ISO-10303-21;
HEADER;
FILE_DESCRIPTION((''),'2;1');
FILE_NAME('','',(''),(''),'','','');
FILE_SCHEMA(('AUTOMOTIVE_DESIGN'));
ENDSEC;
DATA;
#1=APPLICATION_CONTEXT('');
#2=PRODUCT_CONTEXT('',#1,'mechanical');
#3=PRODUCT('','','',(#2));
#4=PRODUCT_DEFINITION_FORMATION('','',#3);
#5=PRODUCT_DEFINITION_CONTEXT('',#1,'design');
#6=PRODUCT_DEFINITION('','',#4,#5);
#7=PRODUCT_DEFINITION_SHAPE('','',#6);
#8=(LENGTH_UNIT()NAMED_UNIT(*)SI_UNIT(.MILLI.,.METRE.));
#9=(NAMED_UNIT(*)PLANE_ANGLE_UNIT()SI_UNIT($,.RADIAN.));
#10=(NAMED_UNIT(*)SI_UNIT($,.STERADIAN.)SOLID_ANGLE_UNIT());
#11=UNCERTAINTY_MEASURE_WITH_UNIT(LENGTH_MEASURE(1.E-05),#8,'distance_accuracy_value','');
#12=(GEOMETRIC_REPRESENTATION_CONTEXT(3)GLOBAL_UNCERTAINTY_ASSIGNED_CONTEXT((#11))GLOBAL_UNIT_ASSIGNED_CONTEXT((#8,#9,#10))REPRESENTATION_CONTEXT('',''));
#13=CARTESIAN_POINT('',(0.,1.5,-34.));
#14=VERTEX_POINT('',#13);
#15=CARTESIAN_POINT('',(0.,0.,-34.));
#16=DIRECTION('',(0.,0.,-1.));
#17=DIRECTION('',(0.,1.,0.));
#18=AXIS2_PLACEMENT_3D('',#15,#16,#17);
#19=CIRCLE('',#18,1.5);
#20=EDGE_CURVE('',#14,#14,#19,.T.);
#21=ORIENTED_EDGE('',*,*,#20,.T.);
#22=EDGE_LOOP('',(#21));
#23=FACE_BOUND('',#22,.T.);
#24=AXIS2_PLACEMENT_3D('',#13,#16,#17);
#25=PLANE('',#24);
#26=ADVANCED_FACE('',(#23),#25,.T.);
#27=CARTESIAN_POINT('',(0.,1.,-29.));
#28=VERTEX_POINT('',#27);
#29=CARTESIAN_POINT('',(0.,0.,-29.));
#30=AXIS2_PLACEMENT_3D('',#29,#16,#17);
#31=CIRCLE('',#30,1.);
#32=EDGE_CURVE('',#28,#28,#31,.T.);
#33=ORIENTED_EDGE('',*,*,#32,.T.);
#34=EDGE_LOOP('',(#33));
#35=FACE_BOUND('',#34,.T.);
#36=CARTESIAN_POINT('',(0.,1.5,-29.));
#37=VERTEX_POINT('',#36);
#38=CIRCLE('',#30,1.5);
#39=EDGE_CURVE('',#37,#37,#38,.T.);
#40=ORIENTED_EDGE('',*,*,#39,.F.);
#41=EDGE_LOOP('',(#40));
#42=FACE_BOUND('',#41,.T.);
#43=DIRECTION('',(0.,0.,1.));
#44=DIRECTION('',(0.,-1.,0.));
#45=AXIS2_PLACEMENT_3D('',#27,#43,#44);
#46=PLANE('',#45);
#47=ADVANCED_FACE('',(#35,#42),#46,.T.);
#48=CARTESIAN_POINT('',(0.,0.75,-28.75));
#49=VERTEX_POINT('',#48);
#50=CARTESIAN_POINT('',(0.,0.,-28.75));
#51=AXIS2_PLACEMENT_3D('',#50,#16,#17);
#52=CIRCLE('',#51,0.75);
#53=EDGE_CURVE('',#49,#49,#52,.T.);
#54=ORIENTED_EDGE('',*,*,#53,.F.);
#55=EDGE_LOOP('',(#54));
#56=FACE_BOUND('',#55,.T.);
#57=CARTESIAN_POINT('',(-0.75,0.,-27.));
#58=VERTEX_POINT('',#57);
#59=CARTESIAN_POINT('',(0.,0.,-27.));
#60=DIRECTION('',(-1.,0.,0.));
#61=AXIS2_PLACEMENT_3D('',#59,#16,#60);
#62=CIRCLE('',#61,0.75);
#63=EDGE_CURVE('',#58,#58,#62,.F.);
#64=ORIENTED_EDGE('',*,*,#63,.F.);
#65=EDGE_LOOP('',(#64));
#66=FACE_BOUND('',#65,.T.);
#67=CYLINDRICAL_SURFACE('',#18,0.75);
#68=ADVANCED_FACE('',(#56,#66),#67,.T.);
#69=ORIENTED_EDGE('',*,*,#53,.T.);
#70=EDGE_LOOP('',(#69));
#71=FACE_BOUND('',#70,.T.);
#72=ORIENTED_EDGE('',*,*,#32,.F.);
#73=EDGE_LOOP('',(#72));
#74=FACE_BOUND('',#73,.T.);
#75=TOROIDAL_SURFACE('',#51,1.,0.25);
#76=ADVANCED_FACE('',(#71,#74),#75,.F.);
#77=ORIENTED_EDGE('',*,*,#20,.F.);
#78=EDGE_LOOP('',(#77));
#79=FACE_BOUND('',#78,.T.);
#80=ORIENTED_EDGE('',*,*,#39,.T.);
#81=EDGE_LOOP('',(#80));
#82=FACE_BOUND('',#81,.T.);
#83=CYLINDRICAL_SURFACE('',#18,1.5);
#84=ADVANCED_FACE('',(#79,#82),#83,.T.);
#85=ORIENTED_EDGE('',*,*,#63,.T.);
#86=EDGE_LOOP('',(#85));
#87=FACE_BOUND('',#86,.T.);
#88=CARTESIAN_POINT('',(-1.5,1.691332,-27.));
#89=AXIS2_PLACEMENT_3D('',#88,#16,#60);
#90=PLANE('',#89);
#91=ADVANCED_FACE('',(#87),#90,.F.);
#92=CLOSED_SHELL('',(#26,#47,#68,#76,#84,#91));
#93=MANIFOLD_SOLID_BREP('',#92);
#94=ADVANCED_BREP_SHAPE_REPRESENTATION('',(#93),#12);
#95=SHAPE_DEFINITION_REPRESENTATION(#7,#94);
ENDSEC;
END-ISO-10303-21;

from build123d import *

# Parameters (mm, degrees)
SKETCH3_W               = 75
SKETCH3_H               = 3.512766304
CUT_EXTRUDE1_DEPTH      = 2.5
CUT_EXTRUDE1_DEPTH_BACK = 2.5


with BuildPart() as part:
    # Sketch2 → Revolve1 (revolve)
    with BuildSketch(Plane(origin=(0, 0, 0), x_dir=(0, 0, -1), z_dir=(1, 0, 0))):
        with BuildLine():
            Line((-29, 0.75), (28.75, 0.75))
            ThreePointArc((28.75, 0.75), (28.926776695, 0.823223305), (29, 1))
            Line((29, 1), (29, 1.5))
            Line((29, 1.5), (34, 1.5))
            Line((34, 1.5), (34, 0))
            Line((34, 0), (-29, 0))
            Line((-29, 0), (-29, 0.75))
        make_face()
    revolve(axis=Axis((0, 0, -34), (0, 0, 1)))

    # Sketch3 → Cut-Extrude1 (cut, two sides)
    with BuildSketch(Plane(origin=(0, 0, 0), x_dir=(0, 0, -1), z_dir=(1, 0, 0))) as cut_extrude1_sk:
        with Locations((-10.5, -0.065051228)):
            Rectangle(SKETCH3_W, SKETCH3_H)
    extrude(amount=CUT_EXTRUDE1_DEPTH, mode=Mode.SUBTRACT)
    extrude(cut_extrude1_sk.sketch, amount=-CUT_EXTRUDE1_DEPTH_BACK, mode=Mode.SUBTRACT)


solid = part.part
